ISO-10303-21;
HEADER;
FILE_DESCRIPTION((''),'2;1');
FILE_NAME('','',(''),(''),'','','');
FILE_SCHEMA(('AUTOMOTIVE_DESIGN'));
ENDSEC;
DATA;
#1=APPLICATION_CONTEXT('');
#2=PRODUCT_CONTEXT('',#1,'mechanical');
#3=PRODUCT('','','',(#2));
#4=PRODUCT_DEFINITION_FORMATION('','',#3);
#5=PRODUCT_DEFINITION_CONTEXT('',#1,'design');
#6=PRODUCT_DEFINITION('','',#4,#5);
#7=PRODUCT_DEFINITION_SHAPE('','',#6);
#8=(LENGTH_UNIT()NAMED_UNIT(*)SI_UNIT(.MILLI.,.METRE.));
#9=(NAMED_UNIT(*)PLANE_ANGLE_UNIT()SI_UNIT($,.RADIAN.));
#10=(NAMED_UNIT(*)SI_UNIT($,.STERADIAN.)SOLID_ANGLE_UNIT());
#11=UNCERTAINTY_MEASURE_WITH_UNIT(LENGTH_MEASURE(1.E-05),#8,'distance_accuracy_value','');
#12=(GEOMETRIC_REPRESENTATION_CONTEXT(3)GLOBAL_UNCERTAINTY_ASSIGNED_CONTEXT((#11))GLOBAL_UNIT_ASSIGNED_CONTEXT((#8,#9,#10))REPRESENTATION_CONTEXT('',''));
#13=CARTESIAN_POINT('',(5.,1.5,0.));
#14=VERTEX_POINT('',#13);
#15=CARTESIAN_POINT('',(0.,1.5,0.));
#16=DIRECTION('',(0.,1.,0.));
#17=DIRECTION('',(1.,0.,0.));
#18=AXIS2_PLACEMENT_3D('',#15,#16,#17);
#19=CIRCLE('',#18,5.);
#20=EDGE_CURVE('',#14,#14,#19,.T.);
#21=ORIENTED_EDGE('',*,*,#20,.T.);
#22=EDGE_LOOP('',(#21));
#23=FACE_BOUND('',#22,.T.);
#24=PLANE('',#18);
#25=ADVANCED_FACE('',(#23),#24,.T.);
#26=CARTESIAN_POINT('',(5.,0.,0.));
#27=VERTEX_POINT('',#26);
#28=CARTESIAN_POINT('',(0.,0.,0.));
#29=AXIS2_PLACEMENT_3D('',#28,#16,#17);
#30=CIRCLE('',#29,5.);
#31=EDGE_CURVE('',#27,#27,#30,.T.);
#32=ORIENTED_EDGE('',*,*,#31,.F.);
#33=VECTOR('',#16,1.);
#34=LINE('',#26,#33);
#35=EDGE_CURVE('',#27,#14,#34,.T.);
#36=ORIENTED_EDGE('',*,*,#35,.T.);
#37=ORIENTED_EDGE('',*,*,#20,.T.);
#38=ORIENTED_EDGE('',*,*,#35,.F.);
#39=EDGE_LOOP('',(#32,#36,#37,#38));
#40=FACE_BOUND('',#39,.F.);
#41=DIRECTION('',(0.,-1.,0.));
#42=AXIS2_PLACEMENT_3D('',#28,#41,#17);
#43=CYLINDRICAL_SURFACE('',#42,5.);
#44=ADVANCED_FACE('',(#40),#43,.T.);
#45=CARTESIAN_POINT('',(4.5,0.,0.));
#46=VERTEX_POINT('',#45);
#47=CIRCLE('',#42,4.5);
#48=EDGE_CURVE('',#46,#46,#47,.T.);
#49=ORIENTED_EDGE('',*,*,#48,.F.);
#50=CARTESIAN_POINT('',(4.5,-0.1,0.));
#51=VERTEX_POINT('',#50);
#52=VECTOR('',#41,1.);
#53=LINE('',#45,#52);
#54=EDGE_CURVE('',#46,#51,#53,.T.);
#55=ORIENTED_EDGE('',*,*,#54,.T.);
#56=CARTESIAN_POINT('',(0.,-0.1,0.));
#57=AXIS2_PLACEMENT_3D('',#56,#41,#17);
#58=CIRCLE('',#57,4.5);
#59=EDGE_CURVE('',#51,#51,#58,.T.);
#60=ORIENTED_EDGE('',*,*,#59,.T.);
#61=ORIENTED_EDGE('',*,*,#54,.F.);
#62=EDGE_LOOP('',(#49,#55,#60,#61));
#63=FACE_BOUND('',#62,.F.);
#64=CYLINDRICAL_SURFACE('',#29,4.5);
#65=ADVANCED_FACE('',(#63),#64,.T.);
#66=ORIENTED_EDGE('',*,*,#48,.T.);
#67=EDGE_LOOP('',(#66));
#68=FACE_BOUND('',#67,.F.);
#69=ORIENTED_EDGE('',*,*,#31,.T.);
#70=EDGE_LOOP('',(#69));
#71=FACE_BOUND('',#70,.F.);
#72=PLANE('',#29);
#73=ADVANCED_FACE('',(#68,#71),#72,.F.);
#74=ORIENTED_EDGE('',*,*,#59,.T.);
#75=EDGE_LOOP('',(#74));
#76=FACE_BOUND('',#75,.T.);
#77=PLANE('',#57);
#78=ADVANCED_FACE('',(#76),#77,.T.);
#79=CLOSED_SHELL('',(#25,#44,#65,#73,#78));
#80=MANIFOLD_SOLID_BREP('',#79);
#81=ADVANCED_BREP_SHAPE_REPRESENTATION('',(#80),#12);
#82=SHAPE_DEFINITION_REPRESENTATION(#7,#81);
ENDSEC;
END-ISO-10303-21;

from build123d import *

# Parameters (mm, degrees)
SKETCH1_R           = 5
BOSS_EXTRUDE1_DEPTH = 1.5
SKETCH2_R           = 4.5
BOSS_EXTRUDE2_DEPTH = 0.1


with BuildPart() as part:
    # Sketch1 → Boss-Extrude1 (new body)
    with BuildSketch(Plane(origin=(0, 0, 0), x_dir=(1, 0, 0), z_dir=(0, 1, 0))):
        Circle(SKETCH1_R)
    extrude(amount=BOSS_EXTRUDE1_DEPTH)

    # Sketch2 → Boss-Extrude2 (add)
    with BuildSketch(Plane.XZ):
        Circle(SKETCH2_R)
    extrude(amount=BOSS_EXTRUDE2_DEPTH)


solid = part.part
